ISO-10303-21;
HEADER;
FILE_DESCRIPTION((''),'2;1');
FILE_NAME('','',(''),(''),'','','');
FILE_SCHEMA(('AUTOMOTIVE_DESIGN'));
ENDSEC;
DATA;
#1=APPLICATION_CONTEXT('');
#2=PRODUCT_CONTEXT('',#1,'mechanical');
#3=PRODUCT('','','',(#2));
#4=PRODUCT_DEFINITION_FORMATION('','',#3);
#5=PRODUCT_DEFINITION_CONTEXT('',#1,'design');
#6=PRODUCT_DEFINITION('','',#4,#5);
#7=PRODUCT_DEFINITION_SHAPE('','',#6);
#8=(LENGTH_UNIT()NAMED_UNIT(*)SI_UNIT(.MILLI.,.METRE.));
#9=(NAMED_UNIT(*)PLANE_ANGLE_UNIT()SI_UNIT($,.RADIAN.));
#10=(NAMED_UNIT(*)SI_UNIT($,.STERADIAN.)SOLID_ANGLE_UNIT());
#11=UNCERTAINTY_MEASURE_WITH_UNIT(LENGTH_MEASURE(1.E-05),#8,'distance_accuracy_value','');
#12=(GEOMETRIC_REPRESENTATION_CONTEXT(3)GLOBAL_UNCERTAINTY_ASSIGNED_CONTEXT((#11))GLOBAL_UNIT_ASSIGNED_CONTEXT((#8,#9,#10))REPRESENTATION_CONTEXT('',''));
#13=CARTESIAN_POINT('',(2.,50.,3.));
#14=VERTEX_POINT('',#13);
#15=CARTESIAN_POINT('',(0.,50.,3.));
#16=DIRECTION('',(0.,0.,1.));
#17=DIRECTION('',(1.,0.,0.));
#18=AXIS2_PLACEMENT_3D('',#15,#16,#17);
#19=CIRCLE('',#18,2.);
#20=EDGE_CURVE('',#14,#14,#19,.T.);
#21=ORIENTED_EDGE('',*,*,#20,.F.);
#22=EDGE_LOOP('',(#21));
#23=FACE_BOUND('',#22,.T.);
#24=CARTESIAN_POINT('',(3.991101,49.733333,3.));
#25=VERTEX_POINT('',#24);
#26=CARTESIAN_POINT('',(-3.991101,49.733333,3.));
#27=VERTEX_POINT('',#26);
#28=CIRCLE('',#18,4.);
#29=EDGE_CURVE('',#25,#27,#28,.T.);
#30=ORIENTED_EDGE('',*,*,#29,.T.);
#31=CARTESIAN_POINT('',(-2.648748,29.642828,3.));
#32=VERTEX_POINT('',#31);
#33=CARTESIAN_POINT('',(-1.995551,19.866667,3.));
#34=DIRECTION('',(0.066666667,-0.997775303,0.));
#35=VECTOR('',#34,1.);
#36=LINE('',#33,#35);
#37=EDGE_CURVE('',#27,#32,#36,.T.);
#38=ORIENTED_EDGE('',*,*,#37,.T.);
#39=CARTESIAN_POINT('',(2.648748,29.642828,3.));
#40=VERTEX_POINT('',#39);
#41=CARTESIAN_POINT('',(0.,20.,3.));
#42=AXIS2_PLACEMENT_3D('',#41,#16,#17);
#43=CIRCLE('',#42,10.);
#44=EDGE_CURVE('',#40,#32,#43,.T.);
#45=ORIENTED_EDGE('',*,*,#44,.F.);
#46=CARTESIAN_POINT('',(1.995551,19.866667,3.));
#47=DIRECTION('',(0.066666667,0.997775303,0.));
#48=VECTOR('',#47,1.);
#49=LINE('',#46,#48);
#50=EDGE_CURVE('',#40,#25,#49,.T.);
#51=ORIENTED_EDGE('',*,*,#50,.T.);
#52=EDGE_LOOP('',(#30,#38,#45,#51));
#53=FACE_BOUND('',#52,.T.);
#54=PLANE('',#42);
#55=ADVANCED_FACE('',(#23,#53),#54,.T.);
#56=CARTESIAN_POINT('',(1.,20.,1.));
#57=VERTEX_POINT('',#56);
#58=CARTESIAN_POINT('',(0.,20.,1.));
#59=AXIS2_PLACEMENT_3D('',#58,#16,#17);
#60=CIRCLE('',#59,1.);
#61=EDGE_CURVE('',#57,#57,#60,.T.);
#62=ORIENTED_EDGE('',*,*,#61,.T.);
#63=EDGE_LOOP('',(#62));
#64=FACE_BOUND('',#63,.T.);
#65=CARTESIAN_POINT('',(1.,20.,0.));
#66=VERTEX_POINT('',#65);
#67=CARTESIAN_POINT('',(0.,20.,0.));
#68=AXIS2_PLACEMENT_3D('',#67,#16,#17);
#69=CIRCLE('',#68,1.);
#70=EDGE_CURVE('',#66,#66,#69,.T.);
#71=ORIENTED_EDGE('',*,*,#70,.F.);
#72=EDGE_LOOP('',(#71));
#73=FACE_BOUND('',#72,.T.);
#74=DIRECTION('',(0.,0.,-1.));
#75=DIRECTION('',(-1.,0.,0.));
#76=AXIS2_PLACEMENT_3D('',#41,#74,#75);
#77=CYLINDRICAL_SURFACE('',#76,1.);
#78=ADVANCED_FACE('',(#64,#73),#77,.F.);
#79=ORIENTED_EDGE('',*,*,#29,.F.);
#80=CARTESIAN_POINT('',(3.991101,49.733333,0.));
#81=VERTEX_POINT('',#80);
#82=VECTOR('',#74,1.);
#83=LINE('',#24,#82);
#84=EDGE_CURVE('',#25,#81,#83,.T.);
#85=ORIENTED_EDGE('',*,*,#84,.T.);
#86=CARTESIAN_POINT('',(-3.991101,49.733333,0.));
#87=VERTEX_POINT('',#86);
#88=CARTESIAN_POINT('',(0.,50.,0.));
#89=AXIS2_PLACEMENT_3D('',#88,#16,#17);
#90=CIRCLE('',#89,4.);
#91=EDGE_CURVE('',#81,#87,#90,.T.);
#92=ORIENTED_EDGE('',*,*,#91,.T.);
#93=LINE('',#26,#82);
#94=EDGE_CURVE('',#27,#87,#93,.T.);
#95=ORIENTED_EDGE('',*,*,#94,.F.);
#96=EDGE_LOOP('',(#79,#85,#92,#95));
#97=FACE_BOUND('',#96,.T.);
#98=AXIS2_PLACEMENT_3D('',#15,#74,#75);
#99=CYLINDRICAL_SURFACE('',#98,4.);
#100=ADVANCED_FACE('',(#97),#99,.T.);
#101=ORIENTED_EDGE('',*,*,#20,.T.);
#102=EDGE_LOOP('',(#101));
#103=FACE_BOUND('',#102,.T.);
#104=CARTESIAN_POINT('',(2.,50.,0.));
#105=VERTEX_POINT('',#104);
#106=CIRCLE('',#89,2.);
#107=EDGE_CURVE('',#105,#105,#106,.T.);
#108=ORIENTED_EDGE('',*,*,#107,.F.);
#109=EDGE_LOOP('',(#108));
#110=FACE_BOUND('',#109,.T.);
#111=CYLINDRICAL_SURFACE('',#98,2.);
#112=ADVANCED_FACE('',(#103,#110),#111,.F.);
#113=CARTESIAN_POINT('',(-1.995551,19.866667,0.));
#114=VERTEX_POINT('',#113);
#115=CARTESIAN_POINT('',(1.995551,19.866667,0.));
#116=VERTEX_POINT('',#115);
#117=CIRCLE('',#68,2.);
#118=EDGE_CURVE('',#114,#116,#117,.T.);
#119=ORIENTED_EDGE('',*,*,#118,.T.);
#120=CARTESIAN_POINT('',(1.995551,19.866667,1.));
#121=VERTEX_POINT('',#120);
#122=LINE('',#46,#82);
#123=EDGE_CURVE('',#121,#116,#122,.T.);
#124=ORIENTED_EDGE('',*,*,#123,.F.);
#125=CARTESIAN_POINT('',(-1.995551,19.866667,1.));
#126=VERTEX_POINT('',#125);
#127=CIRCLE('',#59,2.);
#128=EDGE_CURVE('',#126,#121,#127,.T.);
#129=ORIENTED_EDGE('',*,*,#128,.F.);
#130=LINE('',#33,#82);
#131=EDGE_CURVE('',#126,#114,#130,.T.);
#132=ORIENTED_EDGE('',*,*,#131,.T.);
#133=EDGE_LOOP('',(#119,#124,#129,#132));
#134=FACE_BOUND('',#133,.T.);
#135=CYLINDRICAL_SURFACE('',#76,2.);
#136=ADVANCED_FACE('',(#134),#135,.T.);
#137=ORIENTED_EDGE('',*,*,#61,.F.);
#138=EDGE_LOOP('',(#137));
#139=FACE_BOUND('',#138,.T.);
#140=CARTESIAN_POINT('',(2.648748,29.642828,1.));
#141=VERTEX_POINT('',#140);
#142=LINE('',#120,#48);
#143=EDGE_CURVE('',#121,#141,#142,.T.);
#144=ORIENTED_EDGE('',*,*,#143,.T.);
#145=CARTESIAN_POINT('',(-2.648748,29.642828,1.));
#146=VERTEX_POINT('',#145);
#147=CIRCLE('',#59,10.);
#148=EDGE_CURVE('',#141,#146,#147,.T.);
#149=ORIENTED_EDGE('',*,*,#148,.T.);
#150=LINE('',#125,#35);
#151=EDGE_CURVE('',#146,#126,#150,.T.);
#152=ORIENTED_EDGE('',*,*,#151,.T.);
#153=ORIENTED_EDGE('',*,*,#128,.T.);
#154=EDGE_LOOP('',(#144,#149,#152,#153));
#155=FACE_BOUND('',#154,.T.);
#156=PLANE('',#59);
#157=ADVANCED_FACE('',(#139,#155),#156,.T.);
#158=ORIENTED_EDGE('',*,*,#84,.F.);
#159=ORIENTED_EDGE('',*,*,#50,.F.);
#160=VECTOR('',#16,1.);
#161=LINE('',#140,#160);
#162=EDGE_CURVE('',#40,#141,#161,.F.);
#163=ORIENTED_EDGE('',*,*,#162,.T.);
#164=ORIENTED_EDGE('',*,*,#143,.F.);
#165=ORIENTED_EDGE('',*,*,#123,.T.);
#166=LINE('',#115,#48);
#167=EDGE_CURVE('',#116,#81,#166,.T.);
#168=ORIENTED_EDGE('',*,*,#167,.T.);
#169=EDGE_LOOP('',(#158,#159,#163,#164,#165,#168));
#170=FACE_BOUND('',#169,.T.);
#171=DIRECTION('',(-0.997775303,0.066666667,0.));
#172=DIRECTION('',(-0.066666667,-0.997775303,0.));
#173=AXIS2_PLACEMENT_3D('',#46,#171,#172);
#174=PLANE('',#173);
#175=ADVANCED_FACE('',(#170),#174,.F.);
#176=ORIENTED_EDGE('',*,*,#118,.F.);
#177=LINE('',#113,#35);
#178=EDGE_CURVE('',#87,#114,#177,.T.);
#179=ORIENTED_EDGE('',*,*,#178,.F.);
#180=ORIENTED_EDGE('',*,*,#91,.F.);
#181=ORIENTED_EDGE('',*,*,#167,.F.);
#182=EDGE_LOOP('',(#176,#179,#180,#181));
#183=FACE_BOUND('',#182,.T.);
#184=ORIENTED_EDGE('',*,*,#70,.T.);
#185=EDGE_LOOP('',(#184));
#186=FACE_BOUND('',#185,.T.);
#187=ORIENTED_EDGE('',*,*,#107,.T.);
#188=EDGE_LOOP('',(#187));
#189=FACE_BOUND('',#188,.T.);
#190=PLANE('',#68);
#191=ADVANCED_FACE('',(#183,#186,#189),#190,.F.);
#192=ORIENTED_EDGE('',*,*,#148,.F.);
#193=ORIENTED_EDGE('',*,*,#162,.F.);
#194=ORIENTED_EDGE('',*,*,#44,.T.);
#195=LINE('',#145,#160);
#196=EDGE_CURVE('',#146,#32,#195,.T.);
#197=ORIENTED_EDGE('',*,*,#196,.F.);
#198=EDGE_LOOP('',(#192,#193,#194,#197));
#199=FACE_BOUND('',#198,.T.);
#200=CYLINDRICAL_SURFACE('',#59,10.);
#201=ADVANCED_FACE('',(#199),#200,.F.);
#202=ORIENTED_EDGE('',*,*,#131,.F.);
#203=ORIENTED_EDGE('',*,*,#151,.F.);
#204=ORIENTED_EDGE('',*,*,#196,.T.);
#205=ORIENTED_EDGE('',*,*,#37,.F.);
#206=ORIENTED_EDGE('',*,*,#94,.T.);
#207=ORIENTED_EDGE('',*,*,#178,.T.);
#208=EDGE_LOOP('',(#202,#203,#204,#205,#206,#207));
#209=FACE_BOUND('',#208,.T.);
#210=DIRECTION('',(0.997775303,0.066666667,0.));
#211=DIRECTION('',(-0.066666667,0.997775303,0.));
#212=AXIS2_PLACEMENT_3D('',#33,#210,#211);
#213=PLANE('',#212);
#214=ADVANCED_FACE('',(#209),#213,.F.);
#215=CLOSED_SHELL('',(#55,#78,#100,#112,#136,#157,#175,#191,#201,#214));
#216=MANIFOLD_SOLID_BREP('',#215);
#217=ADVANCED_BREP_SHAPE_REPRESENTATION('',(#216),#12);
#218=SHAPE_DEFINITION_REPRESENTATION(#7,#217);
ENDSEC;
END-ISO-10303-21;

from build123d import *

# Parameters (mm, degrees)
SKETCH1_R           = 2
SKETCH1_R_2         = 1
BOSS_EXTRUDE1_DEPTH = 3
SKETCH2_R           = 10
CUT_EXTRUDE1_DEPTH  = 2


with BuildPart() as part:
    # Sketch1 → Boss-Extrude1 (new body)
    with BuildSketch(Plane.XY):
        with BuildLine():
            Line((1.995550606, 19.866666667), (3.991101213, 49.733333333))
            ThreePointArc((3.991101213, 49.733333333), (0, 54), (-3.991101213, 49.733333333))
            Line((-3.991101213, 49.733333333), (-1.995550606, 19.866666667))
            ThreePointArc((-1.995550606, 19.866666667), (0, 18), (1.995550606, 19.866666667))
        make_face()
        with Locations((0, 50)):
            Circle(SKETCH1_R, mode=Mode.SUBTRACT)
        with Locations((0, 20)):
            Circle(SKETCH1_R_2, mode=Mode.SUBTRACT)
    extrude(amount=BOSS_EXTRUDE1_DEPTH)

    # Sketch2 → Cut-Extrude1 (cut)
    with BuildSketch(Plane.XY.offset(3)):
        with Locations((0, 20)):
            Circle(SKETCH2_R)
    extrude(amount=-CUT_EXTRUDE1_DEPTH, mode=Mode.SUBTRACT)


solid = part.part
